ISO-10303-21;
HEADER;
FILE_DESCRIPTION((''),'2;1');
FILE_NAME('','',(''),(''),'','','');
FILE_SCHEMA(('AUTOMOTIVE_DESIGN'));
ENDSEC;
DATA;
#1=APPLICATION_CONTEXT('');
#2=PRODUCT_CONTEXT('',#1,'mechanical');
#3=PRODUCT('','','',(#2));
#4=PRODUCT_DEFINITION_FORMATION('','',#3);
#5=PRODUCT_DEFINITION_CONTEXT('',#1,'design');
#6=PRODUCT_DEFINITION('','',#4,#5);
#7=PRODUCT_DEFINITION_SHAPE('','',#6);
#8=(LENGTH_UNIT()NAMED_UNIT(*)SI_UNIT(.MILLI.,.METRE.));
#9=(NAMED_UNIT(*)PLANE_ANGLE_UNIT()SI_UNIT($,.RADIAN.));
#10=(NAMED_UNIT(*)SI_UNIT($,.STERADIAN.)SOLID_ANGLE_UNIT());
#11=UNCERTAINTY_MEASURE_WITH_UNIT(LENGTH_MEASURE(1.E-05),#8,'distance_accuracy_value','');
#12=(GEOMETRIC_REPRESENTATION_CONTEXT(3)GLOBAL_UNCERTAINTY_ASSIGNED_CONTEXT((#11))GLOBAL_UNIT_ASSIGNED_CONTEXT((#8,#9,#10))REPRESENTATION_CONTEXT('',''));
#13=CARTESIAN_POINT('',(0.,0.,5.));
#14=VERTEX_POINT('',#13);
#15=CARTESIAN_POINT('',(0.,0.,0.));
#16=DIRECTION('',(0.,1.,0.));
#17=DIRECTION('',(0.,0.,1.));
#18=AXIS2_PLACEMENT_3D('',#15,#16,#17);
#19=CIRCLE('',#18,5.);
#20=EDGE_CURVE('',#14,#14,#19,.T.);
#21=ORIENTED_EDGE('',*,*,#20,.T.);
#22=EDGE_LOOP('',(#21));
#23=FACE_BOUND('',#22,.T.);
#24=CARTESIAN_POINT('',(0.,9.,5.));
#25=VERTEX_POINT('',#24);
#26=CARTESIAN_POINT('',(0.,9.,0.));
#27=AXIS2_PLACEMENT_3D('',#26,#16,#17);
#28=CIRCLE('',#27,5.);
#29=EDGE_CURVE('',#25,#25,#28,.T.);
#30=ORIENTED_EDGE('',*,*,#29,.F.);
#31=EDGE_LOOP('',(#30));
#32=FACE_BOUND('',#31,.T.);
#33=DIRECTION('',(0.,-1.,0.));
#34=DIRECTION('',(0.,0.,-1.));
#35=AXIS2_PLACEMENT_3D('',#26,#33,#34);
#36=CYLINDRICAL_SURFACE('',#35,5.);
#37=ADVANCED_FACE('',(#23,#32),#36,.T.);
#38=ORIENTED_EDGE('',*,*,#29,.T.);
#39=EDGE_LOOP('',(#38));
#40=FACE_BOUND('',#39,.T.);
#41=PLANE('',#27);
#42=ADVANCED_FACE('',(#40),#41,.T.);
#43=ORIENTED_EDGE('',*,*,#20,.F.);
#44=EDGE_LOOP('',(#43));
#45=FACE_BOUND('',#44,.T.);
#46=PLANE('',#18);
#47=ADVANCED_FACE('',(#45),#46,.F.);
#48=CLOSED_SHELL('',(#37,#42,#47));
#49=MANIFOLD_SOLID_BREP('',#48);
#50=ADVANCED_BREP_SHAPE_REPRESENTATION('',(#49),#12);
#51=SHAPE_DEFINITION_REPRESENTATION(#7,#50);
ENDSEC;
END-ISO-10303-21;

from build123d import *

# Parameters (mm, degrees)
SKETCH1_R           = 5
BOSS_EXTRUDE1_DEPTH = 9


with BuildPart() as part:
    # Sketch1 → Boss-Extrude1 (new body)
    with BuildSketch(Plane(origin=(0, 0, 0), x_dir=(1, 0, 0), z_dir=(0, 1, 0))):
        Circle(SKETCH1_R)
    extrude(amount=BOSS_EXTRUDE1_DEPTH)


solid = part.part
